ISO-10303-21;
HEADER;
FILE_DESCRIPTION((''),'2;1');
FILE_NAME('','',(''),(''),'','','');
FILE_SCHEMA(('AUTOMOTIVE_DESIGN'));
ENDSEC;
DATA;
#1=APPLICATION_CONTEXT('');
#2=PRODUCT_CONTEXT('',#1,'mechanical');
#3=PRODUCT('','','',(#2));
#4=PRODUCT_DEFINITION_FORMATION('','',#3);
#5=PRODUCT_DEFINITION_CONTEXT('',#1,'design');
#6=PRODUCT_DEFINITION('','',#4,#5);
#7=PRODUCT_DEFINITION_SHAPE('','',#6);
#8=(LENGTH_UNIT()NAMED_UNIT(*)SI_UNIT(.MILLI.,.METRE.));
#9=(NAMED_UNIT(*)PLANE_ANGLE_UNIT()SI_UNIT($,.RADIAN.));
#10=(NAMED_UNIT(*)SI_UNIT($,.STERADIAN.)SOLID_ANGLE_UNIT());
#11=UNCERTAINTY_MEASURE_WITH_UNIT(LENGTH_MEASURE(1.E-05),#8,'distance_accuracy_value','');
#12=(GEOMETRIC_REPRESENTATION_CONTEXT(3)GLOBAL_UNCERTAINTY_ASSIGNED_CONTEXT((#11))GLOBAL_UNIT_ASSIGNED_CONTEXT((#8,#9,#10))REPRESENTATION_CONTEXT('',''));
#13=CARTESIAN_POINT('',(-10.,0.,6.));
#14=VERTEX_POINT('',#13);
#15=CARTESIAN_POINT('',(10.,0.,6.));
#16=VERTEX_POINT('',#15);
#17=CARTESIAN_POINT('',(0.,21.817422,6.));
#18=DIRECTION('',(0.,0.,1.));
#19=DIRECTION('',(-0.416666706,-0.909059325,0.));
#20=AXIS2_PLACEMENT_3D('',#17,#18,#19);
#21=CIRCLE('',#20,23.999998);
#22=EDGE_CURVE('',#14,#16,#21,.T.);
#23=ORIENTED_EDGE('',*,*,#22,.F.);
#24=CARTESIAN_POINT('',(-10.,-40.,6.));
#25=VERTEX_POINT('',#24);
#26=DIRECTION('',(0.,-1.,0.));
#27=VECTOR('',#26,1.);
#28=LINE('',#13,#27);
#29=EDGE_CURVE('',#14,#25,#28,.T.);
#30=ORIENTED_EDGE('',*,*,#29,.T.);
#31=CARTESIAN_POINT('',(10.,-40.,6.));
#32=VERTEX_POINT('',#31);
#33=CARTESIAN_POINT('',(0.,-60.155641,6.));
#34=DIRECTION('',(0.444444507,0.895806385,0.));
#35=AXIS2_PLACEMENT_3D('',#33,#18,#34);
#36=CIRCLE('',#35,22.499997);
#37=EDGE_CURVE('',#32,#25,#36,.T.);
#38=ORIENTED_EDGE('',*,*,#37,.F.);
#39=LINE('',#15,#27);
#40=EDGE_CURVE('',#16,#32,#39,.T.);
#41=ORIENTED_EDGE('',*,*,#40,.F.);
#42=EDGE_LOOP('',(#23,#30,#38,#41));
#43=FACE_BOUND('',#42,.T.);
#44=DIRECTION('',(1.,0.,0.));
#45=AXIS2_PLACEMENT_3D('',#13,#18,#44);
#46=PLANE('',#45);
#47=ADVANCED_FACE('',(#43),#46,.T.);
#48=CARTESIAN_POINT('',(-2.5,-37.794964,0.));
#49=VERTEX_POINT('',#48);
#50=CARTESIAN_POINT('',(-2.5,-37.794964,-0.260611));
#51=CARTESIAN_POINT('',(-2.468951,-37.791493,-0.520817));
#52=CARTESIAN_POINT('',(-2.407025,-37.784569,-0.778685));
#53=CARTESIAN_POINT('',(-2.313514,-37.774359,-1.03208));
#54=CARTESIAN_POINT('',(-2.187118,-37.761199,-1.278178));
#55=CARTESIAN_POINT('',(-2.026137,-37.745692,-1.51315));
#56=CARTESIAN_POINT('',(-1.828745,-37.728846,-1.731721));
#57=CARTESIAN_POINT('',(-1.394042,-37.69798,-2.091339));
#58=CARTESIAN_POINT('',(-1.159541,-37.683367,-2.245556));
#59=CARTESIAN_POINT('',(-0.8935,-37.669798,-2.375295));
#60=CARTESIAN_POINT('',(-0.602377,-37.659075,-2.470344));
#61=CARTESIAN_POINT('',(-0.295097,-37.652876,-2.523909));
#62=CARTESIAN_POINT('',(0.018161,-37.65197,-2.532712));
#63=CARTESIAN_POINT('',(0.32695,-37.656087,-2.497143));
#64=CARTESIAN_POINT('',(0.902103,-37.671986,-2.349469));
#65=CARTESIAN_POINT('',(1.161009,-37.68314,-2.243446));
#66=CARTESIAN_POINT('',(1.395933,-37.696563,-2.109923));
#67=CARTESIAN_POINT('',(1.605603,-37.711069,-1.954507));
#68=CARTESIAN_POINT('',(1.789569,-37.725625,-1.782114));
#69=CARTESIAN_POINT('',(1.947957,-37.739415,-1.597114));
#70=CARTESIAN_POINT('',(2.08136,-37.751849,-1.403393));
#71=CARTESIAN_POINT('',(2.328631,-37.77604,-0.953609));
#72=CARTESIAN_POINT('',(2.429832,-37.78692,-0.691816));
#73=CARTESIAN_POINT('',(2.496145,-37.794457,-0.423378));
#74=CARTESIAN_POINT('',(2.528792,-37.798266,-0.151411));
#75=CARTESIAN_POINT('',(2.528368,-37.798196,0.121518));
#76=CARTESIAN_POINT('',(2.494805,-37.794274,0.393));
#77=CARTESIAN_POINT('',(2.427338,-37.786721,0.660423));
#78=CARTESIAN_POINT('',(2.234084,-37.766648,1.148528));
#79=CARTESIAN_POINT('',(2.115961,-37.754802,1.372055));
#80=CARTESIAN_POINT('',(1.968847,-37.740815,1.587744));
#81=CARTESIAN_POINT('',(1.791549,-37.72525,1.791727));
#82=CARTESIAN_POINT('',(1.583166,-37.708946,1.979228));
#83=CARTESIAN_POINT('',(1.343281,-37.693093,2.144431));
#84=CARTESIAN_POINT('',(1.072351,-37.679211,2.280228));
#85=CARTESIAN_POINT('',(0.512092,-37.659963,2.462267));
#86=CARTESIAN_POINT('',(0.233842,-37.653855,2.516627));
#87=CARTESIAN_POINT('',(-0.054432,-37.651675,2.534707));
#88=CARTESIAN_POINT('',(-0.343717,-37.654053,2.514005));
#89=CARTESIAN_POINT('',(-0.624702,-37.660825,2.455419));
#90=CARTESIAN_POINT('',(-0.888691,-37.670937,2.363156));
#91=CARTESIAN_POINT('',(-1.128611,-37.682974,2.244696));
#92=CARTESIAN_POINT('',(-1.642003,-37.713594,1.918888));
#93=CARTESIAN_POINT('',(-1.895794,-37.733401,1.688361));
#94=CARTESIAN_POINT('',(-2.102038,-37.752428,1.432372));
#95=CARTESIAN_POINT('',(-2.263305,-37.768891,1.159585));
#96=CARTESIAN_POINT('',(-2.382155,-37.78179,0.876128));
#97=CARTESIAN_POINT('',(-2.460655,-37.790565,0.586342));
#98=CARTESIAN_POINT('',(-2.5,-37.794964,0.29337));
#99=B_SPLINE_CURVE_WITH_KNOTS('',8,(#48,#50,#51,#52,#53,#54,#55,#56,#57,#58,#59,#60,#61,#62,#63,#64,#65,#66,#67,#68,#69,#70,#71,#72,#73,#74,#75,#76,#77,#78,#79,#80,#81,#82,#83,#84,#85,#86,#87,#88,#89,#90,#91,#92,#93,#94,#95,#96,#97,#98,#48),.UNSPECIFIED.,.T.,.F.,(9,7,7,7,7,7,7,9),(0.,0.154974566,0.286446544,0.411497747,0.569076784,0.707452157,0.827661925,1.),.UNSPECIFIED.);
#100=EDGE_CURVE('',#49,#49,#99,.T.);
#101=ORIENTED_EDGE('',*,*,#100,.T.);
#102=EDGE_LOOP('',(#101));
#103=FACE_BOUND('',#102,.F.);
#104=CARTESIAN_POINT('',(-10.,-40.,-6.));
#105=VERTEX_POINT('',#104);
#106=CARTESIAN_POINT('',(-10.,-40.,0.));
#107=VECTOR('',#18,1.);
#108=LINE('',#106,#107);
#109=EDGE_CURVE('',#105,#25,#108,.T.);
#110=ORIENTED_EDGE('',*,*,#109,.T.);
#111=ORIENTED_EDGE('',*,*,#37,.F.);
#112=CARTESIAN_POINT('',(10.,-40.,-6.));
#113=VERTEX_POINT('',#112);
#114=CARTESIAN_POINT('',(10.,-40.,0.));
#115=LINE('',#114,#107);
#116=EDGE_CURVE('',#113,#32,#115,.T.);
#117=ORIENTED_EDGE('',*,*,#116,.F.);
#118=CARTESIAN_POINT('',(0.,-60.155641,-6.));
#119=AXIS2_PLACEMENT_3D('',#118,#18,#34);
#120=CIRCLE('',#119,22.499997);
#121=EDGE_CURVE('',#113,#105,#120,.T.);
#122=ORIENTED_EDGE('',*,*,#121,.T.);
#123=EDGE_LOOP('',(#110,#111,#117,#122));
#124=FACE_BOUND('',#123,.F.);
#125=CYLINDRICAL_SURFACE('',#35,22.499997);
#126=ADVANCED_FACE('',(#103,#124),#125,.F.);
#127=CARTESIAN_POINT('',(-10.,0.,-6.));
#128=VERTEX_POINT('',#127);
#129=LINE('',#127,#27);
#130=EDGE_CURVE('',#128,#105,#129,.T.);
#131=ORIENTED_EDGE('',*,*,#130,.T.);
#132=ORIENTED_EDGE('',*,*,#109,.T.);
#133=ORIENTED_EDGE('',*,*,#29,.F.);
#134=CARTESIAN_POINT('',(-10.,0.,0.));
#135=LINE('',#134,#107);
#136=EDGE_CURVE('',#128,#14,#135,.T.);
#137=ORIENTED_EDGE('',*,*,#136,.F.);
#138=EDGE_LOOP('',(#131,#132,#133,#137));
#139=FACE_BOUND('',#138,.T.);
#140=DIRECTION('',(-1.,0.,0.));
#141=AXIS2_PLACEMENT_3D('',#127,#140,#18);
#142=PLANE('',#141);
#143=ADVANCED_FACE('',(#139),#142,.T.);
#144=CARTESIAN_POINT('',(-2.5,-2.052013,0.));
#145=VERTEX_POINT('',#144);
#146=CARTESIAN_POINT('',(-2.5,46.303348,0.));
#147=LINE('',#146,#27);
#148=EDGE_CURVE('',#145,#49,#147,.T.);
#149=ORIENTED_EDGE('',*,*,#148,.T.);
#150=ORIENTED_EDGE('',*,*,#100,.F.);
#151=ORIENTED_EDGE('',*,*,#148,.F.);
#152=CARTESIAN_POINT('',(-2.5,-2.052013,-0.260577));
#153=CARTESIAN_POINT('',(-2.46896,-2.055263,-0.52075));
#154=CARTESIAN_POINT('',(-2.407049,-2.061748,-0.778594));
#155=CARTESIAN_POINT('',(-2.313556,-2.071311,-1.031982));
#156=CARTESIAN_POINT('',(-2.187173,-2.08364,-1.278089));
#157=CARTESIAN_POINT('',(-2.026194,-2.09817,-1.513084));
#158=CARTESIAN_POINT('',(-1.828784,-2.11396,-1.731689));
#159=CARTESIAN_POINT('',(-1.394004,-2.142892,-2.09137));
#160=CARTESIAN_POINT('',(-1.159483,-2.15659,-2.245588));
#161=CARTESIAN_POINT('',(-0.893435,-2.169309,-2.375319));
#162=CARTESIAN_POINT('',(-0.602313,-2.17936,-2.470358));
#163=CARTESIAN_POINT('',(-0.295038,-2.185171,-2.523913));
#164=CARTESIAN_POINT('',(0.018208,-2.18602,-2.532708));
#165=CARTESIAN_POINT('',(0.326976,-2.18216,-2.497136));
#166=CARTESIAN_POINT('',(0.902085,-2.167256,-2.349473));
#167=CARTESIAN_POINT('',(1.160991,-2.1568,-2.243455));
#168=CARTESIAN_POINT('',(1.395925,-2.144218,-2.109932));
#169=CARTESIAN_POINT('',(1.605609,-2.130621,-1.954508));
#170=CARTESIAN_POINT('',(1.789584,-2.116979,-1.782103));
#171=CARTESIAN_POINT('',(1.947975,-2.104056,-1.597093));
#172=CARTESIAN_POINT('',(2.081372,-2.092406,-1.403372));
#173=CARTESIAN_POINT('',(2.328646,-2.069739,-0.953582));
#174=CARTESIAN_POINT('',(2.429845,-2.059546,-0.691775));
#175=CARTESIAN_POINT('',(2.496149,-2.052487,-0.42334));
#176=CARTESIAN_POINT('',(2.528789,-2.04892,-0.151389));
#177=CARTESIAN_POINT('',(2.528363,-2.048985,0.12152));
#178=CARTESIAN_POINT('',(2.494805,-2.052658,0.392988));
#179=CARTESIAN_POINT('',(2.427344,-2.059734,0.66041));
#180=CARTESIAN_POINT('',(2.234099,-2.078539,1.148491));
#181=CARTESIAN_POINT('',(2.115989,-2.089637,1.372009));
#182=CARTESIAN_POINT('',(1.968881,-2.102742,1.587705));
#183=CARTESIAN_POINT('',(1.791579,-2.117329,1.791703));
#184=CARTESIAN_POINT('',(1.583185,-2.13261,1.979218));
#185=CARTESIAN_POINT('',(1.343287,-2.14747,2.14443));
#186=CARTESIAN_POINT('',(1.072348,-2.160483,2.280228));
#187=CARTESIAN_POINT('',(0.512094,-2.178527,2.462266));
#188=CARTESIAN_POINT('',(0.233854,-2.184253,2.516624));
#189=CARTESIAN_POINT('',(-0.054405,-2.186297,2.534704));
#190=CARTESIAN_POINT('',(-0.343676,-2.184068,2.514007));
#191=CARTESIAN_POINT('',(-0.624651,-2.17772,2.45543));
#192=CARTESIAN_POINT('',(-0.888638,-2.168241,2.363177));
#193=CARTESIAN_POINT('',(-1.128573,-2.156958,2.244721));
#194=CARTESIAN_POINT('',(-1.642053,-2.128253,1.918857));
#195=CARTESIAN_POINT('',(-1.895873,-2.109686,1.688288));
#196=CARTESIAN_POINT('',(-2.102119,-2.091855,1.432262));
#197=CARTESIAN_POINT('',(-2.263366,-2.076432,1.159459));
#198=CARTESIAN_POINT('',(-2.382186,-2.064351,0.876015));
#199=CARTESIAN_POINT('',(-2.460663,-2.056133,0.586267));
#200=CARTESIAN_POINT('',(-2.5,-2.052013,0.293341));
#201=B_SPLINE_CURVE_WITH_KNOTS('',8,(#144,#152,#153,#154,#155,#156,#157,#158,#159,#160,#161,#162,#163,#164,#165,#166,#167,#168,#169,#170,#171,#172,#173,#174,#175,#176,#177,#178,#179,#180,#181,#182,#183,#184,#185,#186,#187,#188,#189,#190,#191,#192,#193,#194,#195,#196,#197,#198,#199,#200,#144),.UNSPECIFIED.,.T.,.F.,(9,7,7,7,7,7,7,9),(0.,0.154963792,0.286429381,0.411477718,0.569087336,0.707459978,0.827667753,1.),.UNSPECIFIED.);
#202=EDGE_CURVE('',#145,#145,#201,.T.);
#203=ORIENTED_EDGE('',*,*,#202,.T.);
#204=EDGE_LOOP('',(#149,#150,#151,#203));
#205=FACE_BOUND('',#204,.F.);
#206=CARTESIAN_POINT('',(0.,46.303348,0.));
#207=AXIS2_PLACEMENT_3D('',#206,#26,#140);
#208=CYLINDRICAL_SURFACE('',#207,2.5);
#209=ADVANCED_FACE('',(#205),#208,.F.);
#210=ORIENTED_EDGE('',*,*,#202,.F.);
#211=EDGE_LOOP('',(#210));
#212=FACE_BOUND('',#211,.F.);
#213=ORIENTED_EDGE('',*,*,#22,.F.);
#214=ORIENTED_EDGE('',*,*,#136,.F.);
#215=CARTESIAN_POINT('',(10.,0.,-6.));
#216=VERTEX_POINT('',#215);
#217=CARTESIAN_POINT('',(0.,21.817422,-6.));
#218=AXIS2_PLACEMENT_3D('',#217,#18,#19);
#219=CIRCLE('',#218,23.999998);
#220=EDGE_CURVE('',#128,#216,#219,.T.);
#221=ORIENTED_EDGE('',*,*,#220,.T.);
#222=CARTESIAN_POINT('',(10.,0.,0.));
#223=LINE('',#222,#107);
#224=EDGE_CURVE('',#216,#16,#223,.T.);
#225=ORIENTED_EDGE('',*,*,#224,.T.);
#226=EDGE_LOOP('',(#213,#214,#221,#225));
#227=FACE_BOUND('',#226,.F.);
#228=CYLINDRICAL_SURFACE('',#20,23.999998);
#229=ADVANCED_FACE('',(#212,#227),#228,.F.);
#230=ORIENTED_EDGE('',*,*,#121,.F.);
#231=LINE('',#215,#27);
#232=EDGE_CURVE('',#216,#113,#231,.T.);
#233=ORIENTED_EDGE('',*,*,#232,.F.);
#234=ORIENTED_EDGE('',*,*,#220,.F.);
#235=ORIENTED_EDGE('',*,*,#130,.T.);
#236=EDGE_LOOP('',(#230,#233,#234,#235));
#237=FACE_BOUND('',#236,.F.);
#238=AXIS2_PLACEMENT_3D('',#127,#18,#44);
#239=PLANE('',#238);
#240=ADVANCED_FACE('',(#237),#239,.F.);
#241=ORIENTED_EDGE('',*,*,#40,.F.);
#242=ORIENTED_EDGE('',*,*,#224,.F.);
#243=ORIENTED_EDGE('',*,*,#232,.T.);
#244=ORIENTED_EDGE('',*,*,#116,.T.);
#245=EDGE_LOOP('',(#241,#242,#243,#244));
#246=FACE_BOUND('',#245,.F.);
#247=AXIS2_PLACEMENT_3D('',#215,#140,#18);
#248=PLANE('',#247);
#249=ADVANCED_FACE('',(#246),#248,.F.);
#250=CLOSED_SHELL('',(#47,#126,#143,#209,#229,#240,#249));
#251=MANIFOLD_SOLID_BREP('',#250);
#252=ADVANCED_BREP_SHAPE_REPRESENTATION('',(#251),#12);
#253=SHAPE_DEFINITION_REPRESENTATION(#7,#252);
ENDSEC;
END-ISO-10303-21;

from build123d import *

# Parameters (mm, degrees)
F0_W     = 20
F0_H     = 12
F1_DEPTH = 40
F3_DEPTH = 16
F5_D     = 5


with BuildPart() as f1:
    # F0 (on Front) → F1 (new body)
    with BuildSketch(Plane.XZ):
        Rectangle(F0_W, F0_H)
    extrude(amount=F1_DEPTH)

    # F2 (on face) → F3 (cut)
    with BuildSketch(Plane.XY.offset(6)):
        with BuildLine():
            Line((10, 0), (-10, 0))
            ThreePointArc((-10, 0), (0, -2.182576), (10, 0))
        make_face()
        with BuildLine():
            Line((-10, -40), (10, -40))
            ThreePointArc((10, -40), (0, -37.655644), (-10, -40))
        make_face()
    extrude(amount=-F3_DEPTH, mode=Mode.SUBTRACT)

    # F5 (through all)
    with Locations(Plane(origin=(0, 0, 0), x_dir=(1, 0, 0), z_dir=(0, 1, 0))):
        with Locations((0, 0)):
            Hole(F5_D / 2)


solid = f1.part
